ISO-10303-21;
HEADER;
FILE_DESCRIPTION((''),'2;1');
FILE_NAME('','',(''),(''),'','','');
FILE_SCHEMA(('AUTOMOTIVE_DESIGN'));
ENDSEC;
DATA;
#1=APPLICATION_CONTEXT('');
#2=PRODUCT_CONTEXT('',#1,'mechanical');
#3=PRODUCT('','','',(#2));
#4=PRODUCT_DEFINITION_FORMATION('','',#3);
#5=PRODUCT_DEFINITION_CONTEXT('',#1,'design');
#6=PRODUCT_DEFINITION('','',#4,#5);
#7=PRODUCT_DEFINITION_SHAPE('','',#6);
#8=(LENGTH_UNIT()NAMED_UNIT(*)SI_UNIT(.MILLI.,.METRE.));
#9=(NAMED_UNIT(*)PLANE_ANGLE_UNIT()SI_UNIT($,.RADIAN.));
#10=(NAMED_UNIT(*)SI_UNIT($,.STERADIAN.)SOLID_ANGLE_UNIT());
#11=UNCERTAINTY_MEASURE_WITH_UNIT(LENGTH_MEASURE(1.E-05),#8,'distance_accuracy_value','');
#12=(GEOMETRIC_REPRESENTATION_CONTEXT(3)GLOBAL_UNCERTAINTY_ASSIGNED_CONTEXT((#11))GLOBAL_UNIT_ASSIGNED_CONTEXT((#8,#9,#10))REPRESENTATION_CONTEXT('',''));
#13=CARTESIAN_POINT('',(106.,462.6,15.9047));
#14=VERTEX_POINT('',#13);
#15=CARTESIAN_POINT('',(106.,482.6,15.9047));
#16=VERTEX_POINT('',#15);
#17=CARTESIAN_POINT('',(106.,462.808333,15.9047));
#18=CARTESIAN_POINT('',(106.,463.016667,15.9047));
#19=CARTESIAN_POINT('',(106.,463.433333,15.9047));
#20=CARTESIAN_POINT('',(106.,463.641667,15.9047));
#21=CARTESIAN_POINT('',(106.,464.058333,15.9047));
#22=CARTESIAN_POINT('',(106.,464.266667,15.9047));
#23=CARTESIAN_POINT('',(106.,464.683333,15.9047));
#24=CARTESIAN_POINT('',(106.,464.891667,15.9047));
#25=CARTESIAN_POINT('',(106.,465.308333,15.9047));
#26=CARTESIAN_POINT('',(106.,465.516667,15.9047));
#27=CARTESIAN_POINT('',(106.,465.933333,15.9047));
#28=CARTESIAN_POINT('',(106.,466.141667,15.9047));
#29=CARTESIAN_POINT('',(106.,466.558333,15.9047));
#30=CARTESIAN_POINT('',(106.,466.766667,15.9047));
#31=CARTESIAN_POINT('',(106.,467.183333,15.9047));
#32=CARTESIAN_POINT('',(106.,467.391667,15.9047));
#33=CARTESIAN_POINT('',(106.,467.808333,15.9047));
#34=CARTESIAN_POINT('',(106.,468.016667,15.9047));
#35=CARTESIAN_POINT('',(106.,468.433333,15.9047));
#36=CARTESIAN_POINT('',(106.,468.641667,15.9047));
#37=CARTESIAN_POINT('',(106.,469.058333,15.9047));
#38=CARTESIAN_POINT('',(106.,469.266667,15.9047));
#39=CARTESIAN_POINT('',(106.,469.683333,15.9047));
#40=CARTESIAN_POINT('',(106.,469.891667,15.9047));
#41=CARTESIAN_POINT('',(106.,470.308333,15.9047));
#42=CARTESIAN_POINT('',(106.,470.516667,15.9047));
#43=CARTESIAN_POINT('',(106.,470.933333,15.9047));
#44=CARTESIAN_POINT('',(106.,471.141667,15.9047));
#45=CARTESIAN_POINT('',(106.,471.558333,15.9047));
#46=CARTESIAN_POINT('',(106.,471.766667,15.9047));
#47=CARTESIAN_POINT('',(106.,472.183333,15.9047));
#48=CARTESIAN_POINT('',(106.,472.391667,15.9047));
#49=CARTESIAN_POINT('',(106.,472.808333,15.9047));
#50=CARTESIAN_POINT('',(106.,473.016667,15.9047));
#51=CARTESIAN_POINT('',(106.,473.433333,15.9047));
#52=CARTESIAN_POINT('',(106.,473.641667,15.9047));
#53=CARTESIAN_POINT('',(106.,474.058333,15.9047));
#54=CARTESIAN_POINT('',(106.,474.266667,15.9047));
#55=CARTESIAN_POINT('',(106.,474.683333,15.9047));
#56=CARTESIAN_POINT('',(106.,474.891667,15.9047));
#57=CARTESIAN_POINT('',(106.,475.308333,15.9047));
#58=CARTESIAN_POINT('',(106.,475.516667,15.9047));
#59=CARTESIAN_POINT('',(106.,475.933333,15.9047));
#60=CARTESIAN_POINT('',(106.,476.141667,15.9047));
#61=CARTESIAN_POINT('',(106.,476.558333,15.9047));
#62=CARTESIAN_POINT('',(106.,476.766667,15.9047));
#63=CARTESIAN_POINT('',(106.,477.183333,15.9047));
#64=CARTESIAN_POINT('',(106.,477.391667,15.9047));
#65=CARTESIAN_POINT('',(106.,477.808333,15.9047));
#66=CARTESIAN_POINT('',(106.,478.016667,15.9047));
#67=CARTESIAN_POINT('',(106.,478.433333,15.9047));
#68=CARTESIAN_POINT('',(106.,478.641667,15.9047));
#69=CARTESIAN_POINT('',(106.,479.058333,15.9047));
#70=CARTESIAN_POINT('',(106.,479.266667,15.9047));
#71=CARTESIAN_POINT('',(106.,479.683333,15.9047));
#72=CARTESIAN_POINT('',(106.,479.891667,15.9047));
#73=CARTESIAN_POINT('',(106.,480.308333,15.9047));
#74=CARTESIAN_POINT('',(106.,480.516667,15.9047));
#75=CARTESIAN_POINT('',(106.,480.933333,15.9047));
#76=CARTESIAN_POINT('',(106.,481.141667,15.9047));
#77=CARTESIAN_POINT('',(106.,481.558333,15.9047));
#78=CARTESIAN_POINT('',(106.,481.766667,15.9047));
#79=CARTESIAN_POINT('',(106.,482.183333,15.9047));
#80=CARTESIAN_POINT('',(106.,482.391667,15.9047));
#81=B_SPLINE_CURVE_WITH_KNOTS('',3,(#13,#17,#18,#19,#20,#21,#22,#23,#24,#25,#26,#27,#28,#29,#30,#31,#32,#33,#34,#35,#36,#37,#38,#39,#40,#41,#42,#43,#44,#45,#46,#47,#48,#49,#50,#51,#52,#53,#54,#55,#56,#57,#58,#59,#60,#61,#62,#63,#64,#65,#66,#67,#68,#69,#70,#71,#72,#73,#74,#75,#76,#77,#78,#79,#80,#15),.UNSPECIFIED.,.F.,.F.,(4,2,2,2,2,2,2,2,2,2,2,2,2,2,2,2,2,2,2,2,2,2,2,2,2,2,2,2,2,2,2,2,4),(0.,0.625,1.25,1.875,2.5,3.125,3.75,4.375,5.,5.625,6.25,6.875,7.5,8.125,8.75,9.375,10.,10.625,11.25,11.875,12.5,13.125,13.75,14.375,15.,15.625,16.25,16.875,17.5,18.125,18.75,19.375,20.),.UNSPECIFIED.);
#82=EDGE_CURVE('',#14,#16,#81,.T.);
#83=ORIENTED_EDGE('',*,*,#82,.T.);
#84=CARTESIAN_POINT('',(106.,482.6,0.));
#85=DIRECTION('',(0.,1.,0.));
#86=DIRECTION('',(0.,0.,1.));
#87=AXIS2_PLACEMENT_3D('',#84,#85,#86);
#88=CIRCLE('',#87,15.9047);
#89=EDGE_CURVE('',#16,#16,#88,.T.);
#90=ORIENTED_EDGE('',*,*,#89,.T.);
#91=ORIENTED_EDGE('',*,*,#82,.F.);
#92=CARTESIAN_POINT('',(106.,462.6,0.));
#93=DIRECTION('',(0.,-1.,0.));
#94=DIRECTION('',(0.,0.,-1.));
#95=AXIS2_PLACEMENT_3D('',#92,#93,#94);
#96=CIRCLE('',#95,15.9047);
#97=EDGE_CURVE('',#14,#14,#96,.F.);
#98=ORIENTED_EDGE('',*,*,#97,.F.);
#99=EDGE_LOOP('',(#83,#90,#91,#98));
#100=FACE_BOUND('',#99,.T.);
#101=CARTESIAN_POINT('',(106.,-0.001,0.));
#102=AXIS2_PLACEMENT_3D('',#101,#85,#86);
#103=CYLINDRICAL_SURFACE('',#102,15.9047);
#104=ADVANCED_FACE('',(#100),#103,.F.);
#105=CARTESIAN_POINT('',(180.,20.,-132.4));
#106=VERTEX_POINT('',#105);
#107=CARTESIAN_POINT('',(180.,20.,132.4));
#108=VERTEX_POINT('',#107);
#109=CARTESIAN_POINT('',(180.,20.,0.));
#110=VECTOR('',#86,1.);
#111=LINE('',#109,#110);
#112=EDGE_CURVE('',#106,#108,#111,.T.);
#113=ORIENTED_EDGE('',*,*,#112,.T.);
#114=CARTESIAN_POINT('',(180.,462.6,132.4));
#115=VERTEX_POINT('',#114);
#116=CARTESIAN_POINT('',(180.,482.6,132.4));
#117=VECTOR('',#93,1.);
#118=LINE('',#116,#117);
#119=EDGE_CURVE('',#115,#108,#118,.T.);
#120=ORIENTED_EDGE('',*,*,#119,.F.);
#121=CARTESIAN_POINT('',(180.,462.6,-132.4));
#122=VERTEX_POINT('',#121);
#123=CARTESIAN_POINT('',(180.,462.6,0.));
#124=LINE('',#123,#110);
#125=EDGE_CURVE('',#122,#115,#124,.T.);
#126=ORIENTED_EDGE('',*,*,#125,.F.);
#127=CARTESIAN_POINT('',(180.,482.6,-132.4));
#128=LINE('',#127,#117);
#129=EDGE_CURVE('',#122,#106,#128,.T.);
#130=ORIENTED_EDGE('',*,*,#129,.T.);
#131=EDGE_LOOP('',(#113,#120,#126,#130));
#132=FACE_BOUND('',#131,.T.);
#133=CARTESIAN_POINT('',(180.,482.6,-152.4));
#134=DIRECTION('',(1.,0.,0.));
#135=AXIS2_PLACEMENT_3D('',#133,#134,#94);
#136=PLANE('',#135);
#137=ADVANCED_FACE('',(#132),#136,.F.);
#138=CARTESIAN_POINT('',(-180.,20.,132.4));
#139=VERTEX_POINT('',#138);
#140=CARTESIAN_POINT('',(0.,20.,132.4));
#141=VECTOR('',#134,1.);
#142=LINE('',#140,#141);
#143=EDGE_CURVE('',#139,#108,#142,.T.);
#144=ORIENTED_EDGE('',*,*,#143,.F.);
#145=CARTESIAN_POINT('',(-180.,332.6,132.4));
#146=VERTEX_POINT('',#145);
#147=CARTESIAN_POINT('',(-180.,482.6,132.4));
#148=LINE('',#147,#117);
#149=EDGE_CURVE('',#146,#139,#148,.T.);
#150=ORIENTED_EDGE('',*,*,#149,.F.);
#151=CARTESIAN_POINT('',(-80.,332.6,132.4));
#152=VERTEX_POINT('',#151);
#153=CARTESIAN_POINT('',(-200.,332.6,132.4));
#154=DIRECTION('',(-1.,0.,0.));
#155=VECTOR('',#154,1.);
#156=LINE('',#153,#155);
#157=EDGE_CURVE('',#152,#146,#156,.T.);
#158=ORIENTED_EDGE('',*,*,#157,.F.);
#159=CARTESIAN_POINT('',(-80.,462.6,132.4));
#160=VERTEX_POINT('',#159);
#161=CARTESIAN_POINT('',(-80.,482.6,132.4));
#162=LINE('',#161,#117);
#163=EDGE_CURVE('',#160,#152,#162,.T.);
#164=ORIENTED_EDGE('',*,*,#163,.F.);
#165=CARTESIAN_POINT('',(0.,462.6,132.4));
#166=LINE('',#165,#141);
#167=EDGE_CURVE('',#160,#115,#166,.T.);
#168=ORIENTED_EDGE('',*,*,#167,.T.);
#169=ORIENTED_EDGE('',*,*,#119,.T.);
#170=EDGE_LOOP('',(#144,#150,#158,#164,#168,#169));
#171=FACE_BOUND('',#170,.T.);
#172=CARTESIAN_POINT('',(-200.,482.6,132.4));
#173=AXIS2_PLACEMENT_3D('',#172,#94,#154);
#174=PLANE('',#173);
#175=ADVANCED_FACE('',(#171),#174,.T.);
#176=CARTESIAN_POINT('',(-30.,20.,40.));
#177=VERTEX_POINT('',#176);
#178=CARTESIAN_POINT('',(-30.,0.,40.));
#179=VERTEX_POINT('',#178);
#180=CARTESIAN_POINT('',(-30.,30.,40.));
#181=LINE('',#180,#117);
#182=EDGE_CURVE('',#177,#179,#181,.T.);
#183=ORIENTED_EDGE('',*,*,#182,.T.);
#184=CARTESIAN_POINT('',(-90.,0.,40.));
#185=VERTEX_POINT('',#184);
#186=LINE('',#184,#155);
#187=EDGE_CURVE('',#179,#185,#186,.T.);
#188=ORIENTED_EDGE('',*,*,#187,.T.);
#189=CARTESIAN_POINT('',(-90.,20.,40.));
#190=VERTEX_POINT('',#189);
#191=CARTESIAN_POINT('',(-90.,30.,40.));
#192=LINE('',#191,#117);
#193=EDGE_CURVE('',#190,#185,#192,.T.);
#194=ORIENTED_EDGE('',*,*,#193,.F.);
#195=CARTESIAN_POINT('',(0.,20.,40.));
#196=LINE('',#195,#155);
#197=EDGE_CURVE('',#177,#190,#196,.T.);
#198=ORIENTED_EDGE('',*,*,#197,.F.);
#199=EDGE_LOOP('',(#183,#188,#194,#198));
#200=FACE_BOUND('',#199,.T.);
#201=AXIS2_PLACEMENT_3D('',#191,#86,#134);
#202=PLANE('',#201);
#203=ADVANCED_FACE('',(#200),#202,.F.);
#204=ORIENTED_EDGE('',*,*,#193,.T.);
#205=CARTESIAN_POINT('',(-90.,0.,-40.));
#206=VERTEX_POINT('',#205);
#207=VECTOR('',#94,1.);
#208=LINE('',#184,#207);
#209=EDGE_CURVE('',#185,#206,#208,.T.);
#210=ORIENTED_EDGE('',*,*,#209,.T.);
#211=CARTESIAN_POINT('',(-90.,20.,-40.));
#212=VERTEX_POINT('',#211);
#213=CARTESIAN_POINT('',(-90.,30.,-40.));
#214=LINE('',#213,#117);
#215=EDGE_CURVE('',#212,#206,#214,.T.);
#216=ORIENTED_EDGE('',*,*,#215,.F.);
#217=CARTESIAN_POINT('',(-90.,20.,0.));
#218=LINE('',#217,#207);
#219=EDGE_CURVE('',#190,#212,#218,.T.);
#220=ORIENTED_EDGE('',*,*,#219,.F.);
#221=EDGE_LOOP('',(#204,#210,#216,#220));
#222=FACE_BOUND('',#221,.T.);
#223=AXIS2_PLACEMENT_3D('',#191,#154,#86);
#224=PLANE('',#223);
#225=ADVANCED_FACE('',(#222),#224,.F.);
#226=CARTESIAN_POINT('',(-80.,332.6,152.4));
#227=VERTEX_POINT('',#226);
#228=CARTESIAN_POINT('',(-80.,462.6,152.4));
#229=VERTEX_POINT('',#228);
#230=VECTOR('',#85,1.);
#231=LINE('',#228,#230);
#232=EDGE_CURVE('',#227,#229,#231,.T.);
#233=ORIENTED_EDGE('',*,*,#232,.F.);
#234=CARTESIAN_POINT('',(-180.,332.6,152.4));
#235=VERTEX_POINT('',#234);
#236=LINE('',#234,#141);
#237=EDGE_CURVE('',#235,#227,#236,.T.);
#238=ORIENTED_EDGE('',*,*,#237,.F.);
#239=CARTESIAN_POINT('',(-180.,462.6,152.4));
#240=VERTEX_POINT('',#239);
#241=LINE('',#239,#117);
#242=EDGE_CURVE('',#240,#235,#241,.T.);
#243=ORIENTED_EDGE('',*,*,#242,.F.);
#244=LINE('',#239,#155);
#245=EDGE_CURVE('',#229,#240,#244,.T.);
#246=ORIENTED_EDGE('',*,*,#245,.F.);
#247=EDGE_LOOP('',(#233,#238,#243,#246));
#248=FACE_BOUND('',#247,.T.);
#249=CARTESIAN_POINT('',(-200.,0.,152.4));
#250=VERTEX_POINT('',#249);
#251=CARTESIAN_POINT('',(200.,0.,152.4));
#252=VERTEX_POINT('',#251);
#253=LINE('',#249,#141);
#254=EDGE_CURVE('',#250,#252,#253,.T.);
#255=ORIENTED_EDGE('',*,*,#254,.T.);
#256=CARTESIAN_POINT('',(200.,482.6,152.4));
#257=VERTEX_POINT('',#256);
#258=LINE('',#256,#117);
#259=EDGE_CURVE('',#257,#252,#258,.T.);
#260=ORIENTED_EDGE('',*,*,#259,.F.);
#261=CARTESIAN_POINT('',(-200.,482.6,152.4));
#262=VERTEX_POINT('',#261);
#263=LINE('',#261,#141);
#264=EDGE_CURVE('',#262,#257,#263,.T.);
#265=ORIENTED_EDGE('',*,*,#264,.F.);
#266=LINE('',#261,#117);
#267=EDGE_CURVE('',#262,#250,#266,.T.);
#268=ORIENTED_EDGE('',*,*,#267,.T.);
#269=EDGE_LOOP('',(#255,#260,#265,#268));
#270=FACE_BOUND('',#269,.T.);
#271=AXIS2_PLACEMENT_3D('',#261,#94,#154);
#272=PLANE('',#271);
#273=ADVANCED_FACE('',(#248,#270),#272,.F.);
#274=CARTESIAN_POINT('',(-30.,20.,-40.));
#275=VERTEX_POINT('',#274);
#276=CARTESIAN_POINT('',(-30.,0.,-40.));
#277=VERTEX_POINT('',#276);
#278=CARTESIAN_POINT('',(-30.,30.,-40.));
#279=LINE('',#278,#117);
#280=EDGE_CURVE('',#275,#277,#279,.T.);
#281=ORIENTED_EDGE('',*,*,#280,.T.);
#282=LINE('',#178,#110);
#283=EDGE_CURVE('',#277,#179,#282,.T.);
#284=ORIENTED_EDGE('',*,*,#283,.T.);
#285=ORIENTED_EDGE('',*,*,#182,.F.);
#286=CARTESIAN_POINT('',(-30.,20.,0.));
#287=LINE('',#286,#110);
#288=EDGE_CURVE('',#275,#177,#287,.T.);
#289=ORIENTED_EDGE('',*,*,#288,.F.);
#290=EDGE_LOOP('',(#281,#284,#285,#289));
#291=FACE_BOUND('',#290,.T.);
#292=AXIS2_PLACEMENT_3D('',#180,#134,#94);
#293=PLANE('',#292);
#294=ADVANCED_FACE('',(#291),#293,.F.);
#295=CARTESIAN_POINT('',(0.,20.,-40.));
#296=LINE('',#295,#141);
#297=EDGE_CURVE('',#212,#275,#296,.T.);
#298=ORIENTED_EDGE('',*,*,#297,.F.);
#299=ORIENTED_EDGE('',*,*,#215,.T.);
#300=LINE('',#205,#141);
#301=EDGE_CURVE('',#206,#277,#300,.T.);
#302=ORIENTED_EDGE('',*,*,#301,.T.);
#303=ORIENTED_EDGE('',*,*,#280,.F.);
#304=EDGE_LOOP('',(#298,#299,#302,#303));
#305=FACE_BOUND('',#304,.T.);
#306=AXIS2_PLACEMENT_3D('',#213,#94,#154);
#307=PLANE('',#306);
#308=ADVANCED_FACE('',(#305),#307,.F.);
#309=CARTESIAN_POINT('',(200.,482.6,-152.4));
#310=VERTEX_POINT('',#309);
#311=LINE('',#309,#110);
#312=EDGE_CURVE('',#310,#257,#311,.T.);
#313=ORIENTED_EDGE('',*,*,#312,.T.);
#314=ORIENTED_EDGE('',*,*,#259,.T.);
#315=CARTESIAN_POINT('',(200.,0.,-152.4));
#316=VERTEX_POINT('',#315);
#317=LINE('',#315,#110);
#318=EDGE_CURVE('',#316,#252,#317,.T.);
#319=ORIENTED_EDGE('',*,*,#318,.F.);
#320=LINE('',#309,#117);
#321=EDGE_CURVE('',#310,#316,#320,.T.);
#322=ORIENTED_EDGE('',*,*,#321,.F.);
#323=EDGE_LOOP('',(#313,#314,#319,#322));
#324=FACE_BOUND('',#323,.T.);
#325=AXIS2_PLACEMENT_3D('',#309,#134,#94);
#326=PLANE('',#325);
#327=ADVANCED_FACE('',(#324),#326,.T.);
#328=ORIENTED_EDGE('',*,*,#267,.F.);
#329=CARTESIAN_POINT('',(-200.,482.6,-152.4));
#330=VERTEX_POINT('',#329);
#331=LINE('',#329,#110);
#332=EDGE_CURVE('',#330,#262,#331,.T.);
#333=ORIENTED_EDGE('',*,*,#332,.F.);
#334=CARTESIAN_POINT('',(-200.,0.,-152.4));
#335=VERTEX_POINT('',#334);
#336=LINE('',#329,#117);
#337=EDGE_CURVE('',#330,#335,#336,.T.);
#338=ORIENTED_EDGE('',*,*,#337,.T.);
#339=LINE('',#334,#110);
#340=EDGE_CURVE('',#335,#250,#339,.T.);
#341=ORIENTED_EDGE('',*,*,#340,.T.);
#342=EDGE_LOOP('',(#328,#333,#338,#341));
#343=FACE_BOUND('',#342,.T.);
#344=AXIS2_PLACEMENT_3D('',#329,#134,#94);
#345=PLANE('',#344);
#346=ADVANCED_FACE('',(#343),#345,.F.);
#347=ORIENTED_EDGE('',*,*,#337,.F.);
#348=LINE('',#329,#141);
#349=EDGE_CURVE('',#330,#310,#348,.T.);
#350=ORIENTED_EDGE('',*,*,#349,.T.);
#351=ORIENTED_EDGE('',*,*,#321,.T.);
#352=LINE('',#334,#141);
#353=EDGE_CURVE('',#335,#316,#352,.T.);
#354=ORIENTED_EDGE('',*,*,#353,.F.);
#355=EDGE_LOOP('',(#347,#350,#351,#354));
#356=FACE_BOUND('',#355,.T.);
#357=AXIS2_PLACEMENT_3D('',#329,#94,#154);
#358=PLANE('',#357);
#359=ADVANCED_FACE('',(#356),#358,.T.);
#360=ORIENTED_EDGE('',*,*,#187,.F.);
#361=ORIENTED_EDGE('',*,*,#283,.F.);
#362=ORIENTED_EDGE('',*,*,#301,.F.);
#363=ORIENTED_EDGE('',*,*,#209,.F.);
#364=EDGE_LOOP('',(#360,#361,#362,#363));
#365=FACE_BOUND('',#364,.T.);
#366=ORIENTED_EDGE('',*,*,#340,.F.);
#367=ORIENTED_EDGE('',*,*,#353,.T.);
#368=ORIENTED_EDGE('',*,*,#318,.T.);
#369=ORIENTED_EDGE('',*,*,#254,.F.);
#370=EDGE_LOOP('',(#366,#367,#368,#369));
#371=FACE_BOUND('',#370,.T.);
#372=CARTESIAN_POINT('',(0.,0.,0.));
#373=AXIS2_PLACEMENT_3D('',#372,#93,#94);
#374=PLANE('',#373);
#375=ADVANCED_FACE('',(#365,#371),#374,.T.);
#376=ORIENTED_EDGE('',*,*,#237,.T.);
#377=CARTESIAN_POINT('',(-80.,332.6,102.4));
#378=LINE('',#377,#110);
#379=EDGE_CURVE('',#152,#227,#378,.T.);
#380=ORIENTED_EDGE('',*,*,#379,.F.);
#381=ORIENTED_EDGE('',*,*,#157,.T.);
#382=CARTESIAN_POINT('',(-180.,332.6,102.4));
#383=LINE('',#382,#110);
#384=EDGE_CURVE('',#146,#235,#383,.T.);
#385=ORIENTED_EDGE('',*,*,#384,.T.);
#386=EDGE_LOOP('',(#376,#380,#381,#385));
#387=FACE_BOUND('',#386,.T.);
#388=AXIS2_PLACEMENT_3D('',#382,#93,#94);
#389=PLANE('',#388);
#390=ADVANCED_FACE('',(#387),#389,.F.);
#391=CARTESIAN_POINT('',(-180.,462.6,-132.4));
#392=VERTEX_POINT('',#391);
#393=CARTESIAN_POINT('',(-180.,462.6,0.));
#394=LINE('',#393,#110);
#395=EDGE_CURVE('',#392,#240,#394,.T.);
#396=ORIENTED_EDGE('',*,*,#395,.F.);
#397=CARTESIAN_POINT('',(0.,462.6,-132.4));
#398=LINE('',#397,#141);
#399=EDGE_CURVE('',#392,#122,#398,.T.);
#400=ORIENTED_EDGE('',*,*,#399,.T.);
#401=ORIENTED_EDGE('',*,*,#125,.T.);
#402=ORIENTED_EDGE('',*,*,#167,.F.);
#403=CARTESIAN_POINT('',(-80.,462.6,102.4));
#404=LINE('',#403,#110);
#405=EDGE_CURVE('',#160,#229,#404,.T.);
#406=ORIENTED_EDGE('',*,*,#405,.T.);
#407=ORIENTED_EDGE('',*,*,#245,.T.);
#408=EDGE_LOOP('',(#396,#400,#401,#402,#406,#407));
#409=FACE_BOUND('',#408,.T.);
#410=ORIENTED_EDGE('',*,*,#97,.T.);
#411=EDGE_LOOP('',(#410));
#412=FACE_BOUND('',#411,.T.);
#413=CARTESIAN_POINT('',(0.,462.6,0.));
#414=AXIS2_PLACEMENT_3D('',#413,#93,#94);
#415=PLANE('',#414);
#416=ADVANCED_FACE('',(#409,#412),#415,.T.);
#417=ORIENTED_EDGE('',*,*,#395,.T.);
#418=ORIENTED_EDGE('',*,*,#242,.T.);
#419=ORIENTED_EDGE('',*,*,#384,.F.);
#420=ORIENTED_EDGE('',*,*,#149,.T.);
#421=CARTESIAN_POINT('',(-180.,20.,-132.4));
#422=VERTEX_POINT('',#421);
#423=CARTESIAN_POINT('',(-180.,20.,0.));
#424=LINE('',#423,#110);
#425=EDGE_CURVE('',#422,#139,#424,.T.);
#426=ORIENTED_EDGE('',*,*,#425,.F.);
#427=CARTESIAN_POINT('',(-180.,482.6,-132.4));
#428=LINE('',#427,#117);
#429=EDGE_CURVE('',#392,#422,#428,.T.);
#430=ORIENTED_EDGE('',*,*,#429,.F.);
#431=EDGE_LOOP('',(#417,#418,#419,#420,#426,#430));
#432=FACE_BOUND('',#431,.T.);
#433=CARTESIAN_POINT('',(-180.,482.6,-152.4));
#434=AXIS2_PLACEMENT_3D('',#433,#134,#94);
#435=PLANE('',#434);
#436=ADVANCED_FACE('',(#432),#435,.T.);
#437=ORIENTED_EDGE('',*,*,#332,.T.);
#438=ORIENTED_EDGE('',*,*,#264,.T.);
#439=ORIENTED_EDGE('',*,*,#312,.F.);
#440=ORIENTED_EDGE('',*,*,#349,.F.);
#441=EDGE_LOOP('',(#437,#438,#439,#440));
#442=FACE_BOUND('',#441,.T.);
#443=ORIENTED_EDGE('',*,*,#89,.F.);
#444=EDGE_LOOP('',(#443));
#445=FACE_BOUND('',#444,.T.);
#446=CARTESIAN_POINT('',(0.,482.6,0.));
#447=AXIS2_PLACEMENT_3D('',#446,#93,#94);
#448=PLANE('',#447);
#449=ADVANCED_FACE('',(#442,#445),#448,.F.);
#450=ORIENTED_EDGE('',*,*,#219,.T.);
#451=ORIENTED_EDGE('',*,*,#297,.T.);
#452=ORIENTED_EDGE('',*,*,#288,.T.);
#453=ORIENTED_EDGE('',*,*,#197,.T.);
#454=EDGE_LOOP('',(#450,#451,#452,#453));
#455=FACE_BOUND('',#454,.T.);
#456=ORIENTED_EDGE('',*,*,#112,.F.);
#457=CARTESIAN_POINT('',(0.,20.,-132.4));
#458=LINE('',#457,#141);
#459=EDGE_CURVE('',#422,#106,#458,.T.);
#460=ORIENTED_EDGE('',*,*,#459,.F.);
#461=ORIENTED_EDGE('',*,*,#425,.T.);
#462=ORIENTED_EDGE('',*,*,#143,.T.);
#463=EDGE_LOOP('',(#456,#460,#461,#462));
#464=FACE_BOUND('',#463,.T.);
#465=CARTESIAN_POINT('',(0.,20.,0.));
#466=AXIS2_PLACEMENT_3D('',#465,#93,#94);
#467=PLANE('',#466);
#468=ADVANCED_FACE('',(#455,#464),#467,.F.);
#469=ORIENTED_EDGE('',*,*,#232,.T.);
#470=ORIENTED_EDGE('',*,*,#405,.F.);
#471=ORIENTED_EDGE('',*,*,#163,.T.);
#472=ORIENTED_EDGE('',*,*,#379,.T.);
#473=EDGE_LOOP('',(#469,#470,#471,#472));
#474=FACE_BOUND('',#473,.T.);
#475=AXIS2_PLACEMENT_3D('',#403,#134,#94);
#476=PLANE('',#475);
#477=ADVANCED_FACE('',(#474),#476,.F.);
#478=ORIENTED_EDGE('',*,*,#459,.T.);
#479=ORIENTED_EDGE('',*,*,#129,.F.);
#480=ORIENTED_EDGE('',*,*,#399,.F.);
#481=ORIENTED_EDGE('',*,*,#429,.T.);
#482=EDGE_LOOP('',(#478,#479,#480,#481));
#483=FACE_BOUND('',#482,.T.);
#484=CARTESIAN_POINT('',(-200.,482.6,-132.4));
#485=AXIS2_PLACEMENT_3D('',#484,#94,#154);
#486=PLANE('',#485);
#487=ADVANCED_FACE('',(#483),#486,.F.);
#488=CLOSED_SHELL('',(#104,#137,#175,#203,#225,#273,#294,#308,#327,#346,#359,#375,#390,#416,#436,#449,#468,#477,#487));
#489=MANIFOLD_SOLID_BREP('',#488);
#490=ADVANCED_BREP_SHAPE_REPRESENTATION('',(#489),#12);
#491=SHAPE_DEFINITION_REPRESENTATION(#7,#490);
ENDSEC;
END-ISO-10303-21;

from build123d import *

# Parameters (mm, degrees)
SKETCH1_W           = 400
SKETCH1_H           = 304.8
BOSS_EXTRUDE1_DEPTH = 482.6
SHELL1_T            = 20
CUT_EXTRUDE1_REACH  = 546.177
SKETCH2_R           = 15.904700308
SKETCH3_W           = 100
SKETCH3_H           = 130
CUT_EXTRUDE2_DEPTH  = 50
SKETCH4_W           = 60
SKETCH4_H           = 80
CUT_EXTRUDE3_DEPTH  = 30


with BuildPart() as part:
    # Sketch1 → Boss-Extrude1 (new body)
    with BuildSketch(Plane(origin=(0, 0, 0), x_dir=(1, 0, 0), z_dir=(0, 1, 0))):
        Rectangle(SKETCH1_W, SKETCH1_H)
    extrude(amount=BOSS_EXTRUDE1_DEPTH)

    # Shell1 (no face opened: a closed hollow body)
    add(offset(amount=-SHELL1_T, mode=Mode.PRIVATE), mode=Mode.SUBTRACT)

    # Sketch2 → Cut-Extrude1 (cut, up to next)
    with BuildSketch(Plane(origin=(0, 482.6, 0), x_dir=(1, 0, 0), z_dir=(0, 1, 0)), mode=Mode.PRIVATE) as cut_extrude1_sk1:
        with Locations(Location((106, 0, 0), (0, 0, 270))):
            Circle(SKETCH2_R)
    cut_extrude1_tool1 = extrude(cut_extrude1_sk1.sketch, amount=-CUT_EXTRUDE1_REACH, mode=Mode.PRIVATE) & part.part
    add(cut_extrude1_tool1.solids().sort_by_distance((106, 482.6, 0))[0], mode=Mode.SUBTRACT)

    # Sketch3 → Cut-Extrude2 (cut)
    with BuildSketch(Plane.XY.offset(152.4)):
        with Locations((-130, 397.6)):
            Rectangle(SKETCH3_W, SKETCH3_H)
    extrude(amount=-CUT_EXTRUDE2_DEPTH, mode=Mode.SUBTRACT)

    # Sketch4 → Cut-Extrude3 (cut)
    with BuildSketch(Plane.XZ):
        with Locations((-60, 0)):
            Rectangle(SKETCH4_W, SKETCH4_H)
    extrude(amount=-CUT_EXTRUDE3_DEPTH, mode=Mode.SUBTRACT)


solid = part.part
